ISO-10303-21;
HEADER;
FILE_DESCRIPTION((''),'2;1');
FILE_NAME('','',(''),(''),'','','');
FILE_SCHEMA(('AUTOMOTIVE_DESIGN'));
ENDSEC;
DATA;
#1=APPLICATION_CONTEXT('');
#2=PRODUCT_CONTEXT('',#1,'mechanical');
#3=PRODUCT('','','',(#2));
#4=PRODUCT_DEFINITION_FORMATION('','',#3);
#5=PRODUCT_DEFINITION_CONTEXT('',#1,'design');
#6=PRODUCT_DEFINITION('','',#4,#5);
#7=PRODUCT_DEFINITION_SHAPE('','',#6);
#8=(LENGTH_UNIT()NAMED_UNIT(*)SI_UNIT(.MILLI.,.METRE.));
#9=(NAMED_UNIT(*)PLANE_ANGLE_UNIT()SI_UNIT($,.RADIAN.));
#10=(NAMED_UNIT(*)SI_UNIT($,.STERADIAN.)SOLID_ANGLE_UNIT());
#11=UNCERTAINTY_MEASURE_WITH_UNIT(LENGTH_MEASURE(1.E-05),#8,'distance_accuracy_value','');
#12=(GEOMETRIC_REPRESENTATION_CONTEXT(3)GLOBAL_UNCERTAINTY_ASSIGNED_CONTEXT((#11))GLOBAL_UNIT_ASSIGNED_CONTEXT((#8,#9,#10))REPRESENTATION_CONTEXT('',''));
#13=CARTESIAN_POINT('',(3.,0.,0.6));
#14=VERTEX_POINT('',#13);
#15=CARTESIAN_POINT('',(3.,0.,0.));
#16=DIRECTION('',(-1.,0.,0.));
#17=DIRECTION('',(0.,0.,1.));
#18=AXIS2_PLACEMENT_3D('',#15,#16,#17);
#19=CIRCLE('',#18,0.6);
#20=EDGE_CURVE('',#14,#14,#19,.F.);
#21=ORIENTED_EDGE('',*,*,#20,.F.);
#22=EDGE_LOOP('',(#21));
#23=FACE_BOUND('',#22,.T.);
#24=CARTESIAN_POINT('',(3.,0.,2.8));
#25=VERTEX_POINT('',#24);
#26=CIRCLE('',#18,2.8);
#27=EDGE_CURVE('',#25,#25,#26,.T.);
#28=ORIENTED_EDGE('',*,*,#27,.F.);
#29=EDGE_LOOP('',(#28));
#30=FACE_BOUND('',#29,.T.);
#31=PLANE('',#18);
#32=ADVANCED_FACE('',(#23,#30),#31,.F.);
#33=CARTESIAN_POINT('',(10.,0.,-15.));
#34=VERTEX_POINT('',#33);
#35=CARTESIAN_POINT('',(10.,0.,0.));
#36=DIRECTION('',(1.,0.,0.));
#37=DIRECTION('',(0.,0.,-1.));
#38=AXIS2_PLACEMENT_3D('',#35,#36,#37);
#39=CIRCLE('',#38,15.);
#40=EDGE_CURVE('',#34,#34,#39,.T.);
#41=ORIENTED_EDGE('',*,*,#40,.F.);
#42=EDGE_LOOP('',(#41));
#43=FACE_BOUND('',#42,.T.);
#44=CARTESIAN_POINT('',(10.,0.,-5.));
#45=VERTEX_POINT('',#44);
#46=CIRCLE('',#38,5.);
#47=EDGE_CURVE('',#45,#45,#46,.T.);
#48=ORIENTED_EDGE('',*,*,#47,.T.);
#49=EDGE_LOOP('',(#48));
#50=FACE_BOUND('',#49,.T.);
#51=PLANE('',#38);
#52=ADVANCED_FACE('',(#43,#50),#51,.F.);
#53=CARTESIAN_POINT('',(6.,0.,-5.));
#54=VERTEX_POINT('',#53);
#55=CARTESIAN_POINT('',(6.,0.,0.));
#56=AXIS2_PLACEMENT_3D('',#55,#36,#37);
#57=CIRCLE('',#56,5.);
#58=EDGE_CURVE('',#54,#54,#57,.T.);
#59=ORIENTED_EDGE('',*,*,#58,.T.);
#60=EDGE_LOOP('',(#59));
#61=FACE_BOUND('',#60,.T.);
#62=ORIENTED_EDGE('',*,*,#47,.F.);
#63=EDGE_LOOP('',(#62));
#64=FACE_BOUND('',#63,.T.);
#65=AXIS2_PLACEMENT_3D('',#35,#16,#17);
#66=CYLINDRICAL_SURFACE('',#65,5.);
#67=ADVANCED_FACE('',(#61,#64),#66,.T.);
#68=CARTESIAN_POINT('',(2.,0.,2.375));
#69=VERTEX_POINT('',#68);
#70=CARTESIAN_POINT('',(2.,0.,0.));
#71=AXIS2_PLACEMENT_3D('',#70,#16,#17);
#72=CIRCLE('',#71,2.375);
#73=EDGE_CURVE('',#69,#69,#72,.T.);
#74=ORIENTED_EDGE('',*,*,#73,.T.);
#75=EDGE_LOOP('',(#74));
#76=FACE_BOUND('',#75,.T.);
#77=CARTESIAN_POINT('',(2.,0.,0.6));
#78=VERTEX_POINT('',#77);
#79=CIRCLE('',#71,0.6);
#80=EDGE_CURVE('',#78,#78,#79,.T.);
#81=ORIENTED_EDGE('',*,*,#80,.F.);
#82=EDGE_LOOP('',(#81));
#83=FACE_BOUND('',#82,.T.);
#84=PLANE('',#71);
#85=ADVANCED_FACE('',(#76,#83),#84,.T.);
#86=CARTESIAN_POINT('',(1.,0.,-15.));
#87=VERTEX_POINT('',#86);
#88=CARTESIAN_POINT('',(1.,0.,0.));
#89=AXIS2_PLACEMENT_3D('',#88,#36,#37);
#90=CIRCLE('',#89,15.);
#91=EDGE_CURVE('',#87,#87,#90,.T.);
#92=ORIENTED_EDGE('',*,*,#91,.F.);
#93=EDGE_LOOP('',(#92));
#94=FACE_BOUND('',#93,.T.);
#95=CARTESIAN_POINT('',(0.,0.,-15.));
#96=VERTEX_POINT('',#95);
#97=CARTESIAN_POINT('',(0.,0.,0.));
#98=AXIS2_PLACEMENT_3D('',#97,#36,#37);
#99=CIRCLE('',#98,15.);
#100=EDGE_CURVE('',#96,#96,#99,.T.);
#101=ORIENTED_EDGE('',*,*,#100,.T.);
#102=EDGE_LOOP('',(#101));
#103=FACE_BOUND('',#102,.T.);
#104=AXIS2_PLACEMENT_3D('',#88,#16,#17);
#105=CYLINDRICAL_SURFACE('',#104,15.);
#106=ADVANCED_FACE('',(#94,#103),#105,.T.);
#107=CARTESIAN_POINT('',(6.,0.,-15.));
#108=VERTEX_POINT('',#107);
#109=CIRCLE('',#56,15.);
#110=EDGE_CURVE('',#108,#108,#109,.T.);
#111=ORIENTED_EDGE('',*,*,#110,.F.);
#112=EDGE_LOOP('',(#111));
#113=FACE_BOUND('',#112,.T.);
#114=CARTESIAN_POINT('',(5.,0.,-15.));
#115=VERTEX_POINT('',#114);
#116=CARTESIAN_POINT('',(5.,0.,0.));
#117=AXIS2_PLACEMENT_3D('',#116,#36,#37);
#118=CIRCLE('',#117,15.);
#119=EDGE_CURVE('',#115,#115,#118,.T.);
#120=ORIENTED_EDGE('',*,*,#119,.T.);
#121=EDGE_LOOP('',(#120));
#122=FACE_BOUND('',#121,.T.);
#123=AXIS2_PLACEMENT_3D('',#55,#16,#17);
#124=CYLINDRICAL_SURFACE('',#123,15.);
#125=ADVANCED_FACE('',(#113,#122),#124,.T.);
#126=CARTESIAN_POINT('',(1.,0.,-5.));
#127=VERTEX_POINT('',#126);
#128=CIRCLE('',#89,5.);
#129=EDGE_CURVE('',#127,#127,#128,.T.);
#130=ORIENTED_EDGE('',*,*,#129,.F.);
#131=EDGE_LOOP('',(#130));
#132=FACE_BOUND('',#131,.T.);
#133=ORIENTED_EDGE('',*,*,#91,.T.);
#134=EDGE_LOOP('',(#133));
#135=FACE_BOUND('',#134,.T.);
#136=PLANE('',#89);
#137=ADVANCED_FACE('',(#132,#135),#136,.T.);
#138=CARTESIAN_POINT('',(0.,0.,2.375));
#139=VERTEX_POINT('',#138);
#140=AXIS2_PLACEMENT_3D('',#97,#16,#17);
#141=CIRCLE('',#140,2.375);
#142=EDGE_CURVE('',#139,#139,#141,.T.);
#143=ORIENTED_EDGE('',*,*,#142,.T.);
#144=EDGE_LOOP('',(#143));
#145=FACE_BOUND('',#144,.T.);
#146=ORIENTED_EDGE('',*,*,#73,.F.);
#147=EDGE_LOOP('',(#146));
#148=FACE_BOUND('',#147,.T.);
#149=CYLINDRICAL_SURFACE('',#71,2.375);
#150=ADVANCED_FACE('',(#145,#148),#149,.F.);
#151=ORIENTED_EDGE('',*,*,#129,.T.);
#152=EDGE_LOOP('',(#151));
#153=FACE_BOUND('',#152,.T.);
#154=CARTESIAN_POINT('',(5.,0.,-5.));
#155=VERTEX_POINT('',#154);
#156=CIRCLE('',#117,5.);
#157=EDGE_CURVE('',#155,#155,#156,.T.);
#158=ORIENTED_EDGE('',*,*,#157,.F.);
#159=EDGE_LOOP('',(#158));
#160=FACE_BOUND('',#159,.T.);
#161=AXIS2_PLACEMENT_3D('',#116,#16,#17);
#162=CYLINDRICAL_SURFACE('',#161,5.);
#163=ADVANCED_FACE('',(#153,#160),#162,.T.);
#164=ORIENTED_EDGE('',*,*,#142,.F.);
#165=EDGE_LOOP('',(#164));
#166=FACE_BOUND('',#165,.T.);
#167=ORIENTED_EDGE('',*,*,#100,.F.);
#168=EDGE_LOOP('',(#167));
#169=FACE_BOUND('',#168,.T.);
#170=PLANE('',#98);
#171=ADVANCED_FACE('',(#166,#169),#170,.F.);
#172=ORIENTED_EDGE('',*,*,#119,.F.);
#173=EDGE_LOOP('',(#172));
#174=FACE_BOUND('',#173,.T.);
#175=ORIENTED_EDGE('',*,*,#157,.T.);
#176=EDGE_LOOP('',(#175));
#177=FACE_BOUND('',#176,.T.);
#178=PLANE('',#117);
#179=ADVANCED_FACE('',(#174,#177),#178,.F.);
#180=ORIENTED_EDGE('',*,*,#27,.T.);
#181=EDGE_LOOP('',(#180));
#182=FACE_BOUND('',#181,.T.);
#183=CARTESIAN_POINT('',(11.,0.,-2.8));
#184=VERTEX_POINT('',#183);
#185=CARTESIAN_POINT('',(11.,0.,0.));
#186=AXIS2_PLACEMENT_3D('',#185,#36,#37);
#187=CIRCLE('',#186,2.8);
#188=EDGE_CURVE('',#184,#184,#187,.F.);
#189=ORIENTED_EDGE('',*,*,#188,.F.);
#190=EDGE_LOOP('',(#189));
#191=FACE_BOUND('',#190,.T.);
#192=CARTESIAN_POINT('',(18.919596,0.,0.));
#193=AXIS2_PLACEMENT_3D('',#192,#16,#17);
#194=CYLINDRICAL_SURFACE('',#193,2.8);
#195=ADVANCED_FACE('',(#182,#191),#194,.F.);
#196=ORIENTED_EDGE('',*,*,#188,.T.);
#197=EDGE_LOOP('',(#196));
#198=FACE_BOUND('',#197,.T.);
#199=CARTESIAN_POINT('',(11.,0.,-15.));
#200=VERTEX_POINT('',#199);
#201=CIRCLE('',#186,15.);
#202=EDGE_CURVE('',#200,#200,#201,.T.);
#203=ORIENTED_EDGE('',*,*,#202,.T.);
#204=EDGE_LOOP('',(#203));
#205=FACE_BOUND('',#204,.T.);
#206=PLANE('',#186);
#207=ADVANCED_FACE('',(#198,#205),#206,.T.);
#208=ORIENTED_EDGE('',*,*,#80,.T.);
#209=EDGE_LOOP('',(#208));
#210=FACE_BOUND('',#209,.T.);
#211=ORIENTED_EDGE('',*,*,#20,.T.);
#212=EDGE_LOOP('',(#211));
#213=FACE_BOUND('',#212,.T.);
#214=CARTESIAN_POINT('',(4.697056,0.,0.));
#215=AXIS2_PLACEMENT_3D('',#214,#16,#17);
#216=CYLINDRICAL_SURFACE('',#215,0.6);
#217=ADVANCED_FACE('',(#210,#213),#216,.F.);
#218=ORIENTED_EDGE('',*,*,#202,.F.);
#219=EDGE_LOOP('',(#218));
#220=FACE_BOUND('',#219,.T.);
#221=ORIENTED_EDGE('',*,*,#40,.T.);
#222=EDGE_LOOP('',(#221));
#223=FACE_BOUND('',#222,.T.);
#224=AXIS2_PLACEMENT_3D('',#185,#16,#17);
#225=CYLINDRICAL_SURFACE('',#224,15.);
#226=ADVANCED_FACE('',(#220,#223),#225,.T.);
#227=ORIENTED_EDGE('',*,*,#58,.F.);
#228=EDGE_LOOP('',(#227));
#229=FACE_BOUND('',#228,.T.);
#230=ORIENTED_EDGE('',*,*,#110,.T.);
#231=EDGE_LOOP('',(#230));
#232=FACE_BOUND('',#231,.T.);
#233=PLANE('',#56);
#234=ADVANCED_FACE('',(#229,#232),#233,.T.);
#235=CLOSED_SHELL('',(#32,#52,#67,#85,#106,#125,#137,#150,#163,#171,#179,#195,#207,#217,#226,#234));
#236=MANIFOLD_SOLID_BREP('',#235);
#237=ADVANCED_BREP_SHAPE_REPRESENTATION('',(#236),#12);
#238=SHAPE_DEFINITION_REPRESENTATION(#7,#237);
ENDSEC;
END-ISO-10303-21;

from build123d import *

# Parameters (mm, degrees)
SKETCH2_R           = 15
SKETCH2_R_2         = 5
BOSS_EXTRUDE1_DEPTH = 1
BOSS_EXTRUDE2_START = 1
SKETCH2_3_R         = 5
BOSS_EXTRUDE2_DEPTH = 4
BOSS_EXTRUDE3_START = 5
SKETCH2_5_R         = 15
SKETCH2_5_R_2       = 5
BOSS_EXTRUDE3_DEPTH = 1
BOSS_EXTRUDE4_START = 6
SKETCH2_6_R         = 5
BOSS_EXTRUDE4_DEPTH = 4
BOSS_EXTRUDE5_START = 10
SKETCH2_7_R         = 15
SKETCH2_7_R_2       = 5
BOSS_EXTRUDE5_DEPTH = 1
SKETCH3_R           = 2.375
CUT_EXTRUDE1_DEPTH  = 2
CUT_EXTRUDE6_START  = -3
SKETCH3_4_R         = 2.8
CUT_EXTRUDE6_DEPTH  = 8
SKETCH3_5_R         = 0.6
CUT_EXTRUDE7_DEPTH  = 3


with BuildPart() as part:
    # Sketch2 → Boss-Extrude1 (new body)
    with BuildSketch(Plane(origin=(0, 0, 0), x_dir=(0, 0, -1), z_dir=(1, 0, 0))):
        Circle(SKETCH2_R)
        Circle(SKETCH2_R_2, mode=Mode.SUBTRACT)
        Circle(SKETCH2_R_2)
    extrude(amount=BOSS_EXTRUDE1_DEPTH)

    # Sketch2<3> → Boss-Extrude2 (add)
    with BuildSketch(Plane(origin=(0, 0, 0), x_dir=(0, 0, -1), z_dir=(1, 0, 0)).offset(BOSS_EXTRUDE2_START)):
        Circle(SKETCH2_3_R)
    extrude(amount=BOSS_EXTRUDE2_DEPTH)

    # Sketch2<5> → Boss-Extrude3 (add)
    with BuildSketch(Plane(origin=(0, 0, 0), x_dir=(0, 0, -1), z_dir=(1, 0, 0)).offset(BOSS_EXTRUDE3_START)):
        Circle(SKETCH2_5_R)
        Circle(SKETCH2_5_R_2, mode=Mode.SUBTRACT)
        Circle(SKETCH2_5_R_2)
    extrude(amount=BOSS_EXTRUDE3_DEPTH)

    # Sketch2<6> → Boss-Extrude4 (add)
    with BuildSketch(Plane(origin=(0, 0, 0), x_dir=(0, 0, -1), z_dir=(1, 0, 0)).offset(BOSS_EXTRUDE4_START)):
        Circle(SKETCH2_6_R)
    extrude(amount=BOSS_EXTRUDE4_DEPTH)

    # Sketch2<7> → Boss-Extrude5 (add)
    with BuildSketch(Plane(origin=(0, 0, 0), x_dir=(0, 0, -1), z_dir=(1, 0, 0)).offset(BOSS_EXTRUDE5_START)):
        Circle(SKETCH2_7_R)
        Circle(SKETCH2_7_R_2, mode=Mode.SUBTRACT)
        Circle(SKETCH2_7_R_2)
    extrude(amount=BOSS_EXTRUDE5_DEPTH)

    # Sketch3 → Cut-Extrude1 (cut)
    with BuildSketch(Plane.ZY):
        Circle(SKETCH3_R)
    extrude(amount=-CUT_EXTRUDE1_DEPTH, mode=Mode.SUBTRACT)

    # Sketch3<4> → Cut-Extrude6 (cut)
    with BuildSketch(Plane.ZY.offset(CUT_EXTRUDE6_START)):
        Circle(SKETCH3_4_R)
    extrude(amount=-CUT_EXTRUDE6_DEPTH, mode=Mode.SUBTRACT)

    # Sketch3<5> → Cut-Extrude7 (cut)
    with BuildSketch(Plane.ZY):
        Circle(SKETCH3_5_R)
    extrude(amount=-CUT_EXTRUDE7_DEPTH, mode=Mode.SUBTRACT)


solid = part.part
